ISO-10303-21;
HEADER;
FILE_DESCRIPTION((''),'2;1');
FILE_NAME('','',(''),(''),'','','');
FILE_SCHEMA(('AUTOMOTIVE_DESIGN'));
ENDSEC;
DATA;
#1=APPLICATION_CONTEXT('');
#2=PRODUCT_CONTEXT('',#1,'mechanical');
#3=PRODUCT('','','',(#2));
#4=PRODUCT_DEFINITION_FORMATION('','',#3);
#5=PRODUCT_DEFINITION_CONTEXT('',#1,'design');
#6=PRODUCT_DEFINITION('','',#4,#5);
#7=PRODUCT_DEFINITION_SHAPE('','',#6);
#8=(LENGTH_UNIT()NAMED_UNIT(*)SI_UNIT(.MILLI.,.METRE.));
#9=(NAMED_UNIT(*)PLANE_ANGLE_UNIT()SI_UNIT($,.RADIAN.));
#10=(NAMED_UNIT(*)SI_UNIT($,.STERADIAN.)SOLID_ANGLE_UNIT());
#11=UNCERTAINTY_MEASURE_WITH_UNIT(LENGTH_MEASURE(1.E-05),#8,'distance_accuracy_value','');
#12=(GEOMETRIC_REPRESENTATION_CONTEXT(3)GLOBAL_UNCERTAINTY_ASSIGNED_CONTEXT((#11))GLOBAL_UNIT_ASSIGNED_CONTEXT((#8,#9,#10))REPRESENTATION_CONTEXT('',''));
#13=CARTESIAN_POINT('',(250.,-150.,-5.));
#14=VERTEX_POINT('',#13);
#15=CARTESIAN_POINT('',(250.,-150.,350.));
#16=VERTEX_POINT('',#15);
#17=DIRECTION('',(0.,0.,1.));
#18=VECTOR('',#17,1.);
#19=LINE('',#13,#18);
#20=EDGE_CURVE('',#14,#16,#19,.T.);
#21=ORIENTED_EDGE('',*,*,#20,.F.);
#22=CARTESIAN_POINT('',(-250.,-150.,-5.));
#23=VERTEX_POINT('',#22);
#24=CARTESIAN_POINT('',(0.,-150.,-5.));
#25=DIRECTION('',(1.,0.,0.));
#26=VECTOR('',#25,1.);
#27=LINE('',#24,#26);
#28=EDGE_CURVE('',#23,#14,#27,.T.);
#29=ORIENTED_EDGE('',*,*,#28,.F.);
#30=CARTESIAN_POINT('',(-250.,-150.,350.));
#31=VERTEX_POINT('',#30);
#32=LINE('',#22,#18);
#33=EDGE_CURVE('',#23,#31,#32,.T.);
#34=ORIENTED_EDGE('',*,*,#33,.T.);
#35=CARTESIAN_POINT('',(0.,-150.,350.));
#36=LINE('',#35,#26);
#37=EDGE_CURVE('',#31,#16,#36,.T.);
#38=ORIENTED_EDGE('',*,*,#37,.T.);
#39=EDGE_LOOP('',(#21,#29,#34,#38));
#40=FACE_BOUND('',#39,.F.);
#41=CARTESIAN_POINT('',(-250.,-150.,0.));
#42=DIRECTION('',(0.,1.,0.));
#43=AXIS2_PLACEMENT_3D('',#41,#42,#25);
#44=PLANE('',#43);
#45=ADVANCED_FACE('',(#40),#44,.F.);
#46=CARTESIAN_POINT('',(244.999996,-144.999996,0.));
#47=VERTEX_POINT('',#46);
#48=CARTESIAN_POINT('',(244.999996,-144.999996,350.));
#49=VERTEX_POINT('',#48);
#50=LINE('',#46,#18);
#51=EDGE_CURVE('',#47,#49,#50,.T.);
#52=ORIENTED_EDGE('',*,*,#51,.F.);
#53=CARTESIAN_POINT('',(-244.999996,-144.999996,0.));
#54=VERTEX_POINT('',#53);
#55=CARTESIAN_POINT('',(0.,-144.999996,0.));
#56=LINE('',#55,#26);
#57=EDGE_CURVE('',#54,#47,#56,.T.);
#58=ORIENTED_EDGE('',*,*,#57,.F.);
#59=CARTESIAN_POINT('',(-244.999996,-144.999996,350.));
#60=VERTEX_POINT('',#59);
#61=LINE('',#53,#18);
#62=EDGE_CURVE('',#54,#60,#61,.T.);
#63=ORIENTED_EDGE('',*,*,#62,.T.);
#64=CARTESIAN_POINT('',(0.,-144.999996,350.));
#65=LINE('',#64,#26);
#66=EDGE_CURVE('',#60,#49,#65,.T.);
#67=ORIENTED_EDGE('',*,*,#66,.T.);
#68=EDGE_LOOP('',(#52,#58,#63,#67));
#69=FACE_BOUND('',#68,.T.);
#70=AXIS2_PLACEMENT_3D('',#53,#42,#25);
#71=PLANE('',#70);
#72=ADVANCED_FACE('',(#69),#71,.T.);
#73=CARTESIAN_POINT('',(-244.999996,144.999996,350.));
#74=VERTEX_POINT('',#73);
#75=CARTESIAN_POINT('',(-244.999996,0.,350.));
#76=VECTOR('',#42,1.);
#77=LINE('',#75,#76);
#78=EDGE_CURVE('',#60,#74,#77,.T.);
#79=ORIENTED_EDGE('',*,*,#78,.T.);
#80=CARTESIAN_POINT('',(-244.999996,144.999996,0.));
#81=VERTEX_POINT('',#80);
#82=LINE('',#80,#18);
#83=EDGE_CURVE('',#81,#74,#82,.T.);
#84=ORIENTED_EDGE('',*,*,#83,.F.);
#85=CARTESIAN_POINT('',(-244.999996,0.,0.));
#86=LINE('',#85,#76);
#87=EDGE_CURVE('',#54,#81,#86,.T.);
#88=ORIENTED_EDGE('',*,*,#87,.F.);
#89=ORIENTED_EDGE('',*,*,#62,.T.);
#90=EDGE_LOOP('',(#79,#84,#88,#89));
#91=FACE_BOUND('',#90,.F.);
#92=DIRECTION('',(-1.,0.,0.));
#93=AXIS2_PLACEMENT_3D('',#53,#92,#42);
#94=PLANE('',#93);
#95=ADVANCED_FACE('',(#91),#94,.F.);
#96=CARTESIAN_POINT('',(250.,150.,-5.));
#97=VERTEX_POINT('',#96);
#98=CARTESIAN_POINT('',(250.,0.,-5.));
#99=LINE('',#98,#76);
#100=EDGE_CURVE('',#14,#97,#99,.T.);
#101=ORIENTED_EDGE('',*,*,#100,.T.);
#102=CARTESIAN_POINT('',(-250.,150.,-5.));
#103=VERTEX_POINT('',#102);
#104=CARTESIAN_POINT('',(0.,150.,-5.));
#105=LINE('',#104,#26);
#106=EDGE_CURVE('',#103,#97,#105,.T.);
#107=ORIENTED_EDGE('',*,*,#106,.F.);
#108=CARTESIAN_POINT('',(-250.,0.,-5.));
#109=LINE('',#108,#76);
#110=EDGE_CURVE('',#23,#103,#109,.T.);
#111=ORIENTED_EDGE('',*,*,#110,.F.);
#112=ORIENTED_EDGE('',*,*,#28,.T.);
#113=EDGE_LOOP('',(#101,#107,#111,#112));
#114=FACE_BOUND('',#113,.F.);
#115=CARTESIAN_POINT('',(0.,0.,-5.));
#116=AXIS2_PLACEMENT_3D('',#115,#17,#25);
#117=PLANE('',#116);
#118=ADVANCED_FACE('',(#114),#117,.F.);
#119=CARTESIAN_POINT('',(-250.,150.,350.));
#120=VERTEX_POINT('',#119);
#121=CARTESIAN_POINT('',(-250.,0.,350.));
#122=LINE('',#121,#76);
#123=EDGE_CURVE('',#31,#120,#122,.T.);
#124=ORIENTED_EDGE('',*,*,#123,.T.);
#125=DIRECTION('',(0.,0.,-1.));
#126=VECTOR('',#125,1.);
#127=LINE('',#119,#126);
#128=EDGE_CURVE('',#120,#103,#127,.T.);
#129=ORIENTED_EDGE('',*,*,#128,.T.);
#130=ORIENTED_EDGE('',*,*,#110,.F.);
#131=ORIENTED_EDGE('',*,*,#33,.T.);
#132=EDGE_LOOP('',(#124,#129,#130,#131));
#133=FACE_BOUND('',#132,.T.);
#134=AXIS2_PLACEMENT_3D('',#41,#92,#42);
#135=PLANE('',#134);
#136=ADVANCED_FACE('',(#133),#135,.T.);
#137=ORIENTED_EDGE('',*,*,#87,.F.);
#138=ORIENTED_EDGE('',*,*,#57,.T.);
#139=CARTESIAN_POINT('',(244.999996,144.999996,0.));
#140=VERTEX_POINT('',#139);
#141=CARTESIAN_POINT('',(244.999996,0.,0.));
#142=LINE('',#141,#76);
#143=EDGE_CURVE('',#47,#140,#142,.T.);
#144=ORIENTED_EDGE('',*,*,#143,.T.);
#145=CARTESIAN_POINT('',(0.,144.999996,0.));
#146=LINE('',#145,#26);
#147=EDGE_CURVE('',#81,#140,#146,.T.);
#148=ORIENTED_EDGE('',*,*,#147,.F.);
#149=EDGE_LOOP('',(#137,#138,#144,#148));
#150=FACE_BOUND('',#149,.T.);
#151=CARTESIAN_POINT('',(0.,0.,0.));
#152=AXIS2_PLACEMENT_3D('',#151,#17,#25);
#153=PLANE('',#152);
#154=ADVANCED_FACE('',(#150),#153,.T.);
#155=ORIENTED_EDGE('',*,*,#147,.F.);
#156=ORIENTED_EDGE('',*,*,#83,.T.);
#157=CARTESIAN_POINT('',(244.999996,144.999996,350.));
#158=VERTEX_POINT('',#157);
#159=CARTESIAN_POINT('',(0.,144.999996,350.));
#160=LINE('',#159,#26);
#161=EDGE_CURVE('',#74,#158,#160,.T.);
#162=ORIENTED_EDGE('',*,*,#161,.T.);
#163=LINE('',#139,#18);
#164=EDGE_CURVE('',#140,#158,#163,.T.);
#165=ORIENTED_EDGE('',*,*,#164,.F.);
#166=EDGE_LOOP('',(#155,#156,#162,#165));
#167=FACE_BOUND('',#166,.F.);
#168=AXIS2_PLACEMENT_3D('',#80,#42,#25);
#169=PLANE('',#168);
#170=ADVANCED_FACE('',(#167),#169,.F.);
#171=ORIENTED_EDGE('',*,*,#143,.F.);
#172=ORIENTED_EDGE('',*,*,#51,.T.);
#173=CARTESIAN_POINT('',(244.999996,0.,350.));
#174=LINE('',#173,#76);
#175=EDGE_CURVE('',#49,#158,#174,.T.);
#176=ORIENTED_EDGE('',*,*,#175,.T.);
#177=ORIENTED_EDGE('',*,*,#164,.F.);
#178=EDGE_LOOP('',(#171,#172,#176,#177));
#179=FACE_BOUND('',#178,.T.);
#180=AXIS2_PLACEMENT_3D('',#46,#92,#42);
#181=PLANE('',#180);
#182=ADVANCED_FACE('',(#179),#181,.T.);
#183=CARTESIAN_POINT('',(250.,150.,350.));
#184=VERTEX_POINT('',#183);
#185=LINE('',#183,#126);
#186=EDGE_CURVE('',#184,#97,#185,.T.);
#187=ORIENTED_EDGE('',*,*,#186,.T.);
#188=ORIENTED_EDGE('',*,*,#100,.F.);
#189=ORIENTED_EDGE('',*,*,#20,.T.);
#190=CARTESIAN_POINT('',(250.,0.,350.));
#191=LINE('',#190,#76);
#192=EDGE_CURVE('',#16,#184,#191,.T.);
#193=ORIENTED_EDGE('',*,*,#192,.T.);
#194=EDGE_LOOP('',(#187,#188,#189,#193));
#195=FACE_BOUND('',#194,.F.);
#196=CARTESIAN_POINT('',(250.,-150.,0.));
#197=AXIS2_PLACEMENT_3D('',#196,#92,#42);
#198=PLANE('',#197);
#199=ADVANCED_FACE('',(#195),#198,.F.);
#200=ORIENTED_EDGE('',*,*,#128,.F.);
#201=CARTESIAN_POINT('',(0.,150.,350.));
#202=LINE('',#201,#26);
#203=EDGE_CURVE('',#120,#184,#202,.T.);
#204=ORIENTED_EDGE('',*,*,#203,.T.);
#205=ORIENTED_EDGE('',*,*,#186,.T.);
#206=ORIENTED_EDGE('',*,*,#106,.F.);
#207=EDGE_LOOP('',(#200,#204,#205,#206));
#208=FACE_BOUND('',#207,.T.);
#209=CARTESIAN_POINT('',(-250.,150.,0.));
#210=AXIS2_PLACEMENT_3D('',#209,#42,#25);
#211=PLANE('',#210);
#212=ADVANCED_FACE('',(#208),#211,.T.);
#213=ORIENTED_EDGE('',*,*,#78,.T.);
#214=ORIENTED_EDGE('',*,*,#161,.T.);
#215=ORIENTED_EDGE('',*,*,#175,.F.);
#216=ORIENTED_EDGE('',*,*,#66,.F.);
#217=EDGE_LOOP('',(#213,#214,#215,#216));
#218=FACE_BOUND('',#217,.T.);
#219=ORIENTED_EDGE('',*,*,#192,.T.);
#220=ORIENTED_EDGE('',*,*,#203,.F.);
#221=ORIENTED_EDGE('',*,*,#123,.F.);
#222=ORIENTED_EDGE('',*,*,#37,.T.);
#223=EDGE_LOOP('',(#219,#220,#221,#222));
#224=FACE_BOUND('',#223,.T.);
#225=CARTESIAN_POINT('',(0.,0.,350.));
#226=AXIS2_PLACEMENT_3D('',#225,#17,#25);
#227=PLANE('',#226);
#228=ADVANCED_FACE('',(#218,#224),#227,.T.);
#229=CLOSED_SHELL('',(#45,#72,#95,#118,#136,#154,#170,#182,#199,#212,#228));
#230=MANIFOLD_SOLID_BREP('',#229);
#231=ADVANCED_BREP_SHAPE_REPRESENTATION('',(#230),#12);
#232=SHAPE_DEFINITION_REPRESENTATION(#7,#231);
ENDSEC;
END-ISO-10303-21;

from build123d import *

# Parameters (mm, degrees)
F0_W     = 500
F0_H     = 300
F0_W_2   = 489.9999916553
F0_H_2   = 289.9999916553
F1_DEPTH = 5
F2_DEPTH = 350


with BuildPart() as f1:
    # F0 (on Top) → F1 (new body)
    with BuildSketch(Plane.XY):
        Rectangle(F0_W, F0_H)
        Rectangle(F0_W_2, F0_H_2, mode=Mode.SUBTRACT)
        Rectangle(F0_W_2, F0_H_2)
    extrude(amount=-F1_DEPTH)

    # F0 (on Top) → F2 (join)
    with BuildSketch(Plane.XY):
        Rectangle(F0_W, F0_H)
        Rectangle(F0_W_2, F0_H_2, mode=Mode.SUBTRACT)
    extrude(amount=F2_DEPTH)


solid = f1.part
